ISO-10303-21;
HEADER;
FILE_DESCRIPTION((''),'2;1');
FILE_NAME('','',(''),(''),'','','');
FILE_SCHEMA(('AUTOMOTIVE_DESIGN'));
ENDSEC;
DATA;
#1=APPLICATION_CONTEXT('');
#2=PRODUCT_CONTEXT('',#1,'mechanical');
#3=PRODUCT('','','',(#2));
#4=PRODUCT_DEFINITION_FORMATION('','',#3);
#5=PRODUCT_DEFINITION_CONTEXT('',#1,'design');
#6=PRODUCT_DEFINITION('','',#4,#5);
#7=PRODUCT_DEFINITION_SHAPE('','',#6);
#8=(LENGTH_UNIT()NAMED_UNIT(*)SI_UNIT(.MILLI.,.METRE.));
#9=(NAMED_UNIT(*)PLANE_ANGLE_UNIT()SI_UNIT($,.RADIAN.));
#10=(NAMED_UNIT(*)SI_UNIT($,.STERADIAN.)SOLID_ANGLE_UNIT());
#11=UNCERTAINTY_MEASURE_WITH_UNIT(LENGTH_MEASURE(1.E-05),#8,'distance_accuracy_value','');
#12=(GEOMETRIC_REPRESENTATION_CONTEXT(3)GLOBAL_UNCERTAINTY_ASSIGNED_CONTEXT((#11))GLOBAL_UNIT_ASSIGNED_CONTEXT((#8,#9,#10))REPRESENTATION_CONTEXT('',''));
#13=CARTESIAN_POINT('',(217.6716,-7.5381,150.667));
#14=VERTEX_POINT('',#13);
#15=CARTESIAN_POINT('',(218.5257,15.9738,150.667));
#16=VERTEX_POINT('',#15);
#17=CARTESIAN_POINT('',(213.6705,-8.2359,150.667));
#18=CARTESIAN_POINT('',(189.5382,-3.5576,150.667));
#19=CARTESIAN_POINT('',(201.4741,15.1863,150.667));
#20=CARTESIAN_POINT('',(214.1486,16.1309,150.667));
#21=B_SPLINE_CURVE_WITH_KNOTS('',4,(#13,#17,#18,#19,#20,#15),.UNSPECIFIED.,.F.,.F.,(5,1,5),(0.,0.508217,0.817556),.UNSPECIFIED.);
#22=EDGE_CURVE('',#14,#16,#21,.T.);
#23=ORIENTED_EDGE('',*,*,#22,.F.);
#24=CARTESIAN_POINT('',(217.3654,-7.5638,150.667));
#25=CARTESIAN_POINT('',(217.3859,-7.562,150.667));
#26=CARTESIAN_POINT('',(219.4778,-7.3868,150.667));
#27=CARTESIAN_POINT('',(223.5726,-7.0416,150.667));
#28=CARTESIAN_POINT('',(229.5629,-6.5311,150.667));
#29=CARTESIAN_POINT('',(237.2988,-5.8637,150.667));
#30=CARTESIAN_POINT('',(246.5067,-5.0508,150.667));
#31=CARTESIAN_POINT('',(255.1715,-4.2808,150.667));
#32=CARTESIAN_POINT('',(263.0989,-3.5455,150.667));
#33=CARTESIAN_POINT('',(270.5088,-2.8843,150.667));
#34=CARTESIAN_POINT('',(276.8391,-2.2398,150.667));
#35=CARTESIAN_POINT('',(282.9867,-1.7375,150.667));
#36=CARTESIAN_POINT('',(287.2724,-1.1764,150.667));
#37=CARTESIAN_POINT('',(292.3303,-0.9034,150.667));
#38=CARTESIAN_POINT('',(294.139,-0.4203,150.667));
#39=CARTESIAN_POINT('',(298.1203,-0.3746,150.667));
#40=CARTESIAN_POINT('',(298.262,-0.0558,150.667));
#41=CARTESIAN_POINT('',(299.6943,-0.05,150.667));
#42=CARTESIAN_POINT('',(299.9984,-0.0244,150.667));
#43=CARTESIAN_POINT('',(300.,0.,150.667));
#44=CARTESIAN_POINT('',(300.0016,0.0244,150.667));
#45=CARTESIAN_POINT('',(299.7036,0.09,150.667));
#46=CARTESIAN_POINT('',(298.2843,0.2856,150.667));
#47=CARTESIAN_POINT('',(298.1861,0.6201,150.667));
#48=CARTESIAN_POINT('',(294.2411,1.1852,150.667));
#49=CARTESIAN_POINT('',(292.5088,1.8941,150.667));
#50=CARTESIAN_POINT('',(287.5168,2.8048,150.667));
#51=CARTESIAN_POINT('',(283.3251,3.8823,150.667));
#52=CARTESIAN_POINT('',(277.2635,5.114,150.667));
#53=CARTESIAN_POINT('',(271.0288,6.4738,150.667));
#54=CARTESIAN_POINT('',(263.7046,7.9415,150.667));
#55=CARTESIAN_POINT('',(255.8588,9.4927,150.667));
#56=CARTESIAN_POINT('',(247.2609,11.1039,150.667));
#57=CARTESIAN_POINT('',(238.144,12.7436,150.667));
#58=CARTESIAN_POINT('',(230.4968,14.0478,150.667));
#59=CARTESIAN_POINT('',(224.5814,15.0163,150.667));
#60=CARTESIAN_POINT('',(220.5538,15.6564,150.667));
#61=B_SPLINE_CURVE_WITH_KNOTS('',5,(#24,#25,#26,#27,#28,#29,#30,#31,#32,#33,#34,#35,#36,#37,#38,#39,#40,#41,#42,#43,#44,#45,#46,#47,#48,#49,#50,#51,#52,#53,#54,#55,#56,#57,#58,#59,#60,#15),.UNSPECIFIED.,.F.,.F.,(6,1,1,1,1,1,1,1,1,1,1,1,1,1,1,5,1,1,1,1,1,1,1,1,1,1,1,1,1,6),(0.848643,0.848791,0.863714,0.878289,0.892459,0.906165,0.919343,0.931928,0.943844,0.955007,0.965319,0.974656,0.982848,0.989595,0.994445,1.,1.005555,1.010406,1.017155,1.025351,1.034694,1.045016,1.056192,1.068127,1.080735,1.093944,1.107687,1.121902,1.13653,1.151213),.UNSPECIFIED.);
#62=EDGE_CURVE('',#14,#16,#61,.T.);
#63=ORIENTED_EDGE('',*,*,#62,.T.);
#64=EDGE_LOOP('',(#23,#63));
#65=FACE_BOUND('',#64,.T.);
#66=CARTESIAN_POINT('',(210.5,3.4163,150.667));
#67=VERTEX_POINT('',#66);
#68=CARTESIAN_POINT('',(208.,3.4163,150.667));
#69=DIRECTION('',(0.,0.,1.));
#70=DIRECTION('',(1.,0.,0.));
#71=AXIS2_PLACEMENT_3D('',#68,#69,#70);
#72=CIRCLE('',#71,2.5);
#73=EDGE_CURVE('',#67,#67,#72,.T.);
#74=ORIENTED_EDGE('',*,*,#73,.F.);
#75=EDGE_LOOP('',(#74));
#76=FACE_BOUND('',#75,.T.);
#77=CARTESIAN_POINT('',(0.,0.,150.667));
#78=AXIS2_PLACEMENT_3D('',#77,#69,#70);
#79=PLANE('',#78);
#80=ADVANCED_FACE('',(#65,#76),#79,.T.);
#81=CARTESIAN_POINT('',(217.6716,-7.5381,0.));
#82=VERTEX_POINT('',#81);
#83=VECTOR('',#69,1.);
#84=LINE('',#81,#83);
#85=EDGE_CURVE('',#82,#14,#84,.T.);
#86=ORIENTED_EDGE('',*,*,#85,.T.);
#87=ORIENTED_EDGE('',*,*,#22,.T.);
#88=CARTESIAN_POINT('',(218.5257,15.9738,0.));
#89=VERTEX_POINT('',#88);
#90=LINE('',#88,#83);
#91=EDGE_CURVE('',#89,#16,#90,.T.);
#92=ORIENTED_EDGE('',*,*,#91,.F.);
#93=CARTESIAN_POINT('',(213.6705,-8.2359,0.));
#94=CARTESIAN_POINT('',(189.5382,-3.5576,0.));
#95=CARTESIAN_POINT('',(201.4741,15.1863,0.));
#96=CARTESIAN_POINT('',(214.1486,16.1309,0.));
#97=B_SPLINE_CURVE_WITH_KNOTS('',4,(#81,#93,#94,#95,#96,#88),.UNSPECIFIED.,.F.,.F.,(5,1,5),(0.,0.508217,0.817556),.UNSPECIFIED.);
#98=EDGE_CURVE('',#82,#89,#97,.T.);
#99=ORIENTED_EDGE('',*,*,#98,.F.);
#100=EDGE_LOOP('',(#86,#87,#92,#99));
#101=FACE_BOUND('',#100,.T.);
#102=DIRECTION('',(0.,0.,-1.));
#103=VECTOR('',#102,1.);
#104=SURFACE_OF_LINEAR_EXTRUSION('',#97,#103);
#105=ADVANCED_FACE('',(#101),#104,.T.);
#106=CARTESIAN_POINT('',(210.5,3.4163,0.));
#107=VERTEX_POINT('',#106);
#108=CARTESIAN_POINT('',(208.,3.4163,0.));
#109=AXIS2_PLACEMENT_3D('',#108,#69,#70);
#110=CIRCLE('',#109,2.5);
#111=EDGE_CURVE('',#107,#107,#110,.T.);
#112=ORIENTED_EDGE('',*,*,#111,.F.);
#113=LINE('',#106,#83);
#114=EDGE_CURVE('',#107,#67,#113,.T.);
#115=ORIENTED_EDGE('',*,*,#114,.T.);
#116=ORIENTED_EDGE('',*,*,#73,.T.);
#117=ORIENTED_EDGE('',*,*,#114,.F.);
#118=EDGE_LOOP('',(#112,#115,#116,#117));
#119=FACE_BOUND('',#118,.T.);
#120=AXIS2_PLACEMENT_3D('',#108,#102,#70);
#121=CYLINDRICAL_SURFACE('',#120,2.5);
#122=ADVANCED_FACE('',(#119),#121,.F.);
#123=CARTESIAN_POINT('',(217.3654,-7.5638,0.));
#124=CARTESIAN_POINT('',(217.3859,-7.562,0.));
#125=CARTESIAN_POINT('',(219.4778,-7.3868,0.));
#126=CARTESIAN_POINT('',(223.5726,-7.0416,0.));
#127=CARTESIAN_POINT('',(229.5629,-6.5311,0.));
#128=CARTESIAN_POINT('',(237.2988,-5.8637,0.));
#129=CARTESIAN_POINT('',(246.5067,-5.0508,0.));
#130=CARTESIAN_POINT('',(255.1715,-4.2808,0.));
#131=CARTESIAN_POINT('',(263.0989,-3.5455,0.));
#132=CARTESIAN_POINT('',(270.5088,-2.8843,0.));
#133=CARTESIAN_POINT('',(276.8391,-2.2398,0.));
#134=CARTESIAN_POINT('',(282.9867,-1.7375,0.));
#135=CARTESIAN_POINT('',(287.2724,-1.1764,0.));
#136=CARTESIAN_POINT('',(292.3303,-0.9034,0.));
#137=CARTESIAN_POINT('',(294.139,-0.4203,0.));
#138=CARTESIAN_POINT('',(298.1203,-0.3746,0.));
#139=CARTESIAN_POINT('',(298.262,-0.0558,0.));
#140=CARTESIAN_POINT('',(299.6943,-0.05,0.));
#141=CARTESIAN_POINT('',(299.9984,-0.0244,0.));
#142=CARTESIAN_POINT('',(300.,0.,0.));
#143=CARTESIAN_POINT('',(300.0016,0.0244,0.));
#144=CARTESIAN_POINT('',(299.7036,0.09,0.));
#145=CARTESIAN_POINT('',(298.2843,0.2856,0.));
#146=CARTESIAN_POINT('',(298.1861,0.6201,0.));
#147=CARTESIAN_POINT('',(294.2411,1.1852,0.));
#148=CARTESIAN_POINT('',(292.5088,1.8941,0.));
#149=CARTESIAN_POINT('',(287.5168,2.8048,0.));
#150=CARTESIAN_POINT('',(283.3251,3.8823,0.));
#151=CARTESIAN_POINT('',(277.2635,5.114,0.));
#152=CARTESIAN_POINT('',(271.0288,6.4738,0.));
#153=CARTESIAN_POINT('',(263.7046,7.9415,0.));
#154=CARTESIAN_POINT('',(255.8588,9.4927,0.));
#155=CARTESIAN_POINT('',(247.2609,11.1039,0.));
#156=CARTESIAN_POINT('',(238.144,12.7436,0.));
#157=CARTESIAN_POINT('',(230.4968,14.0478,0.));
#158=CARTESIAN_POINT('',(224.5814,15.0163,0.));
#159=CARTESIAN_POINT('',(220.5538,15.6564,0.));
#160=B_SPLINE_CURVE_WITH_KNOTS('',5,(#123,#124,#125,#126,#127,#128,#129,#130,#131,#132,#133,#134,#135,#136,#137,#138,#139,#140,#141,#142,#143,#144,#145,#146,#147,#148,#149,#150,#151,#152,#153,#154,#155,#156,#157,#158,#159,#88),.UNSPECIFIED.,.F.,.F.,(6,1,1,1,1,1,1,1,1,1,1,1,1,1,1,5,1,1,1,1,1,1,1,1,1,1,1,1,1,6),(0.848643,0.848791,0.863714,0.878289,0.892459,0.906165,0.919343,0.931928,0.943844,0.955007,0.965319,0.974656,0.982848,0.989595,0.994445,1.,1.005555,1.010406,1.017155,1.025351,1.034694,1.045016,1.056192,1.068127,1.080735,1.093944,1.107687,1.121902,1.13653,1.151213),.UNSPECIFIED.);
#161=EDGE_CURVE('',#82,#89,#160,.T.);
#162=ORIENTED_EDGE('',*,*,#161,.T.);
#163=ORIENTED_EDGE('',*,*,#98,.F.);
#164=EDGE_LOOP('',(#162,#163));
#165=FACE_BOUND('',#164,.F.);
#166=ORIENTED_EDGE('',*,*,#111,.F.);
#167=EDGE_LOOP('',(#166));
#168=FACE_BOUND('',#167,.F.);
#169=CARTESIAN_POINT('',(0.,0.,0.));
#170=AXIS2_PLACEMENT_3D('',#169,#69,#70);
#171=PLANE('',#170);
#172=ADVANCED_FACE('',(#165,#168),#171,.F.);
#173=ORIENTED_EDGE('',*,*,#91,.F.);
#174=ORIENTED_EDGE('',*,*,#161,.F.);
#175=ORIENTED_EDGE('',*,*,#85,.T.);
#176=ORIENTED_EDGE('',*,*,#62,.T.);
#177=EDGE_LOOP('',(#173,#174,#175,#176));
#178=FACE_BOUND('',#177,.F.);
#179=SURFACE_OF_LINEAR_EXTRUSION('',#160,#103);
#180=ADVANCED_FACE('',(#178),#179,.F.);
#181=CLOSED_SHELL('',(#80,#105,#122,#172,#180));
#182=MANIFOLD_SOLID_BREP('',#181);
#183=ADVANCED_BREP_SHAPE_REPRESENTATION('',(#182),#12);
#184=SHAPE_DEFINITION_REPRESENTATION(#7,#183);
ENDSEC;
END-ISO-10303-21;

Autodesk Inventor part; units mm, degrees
ref_plane "YZ Plane" through (0, 0, 0) normal (1, 0, 0) x (0, 1, 0)
ref_plane "XZ Plane" through (0, 0, 0) normal (0, 1, 0) x (-1, 0, 0)
ref_plane "XY Plane" through (0, 0, 0) normal (0, 0, 1) x (1, 0, 0)
sketch "Sketch1" plane through (0, 0, 0) normal (0, 0, 1) x (1, 0, 0)
  spline S0 degree 5 poles (217.3654, -7.5638) (217.3859, -7.562) (219.4778, -7.3868) (223.5726, -7.0416) (229.5629, -6.5311) (237.2988, -5.8637) (246.5067, -5.0508) (255.1715, -4.2808) (263.0989, -3.5455) (270.5088, -2.8843) (276.8391, -2.2398) (282.9867, -1.7375) (287.2724, -1.1764) (292.3303, -0.9034) (294.139, -0.4203) (298.1203, -0.3746) (298.262, -0.0558) (299.6943, -0.05) (299.9984, -0.0244) (300, 0) (300.0016, 0.0244) (299.7036, 0.09) (298.2843, 0.2856) (298.1861, 0.6201) (294.2411, 1.1852) (292.5088, 1.8941) (287.5168, 2.8048) (283.3251, 3.8823) (277.2635, 5.114) (271.0288, 6.4738) (263.7046, 7.9415) (255.8588, 9.4927) (247.2609, 11.1039) (238.144, 12.7436) (230.4968, 14.0478) (224.5814, 15.0163) (220.5538, 15.6564) (218.5257, 15.9738) knots 0.848643 0.848643 0.848643 0.848643 0.848643 0.848643 0.848791 0.863714 0.878289 0.892459 0.906165 0.919343 0.931928 0.943844 0.955007 0.965319 0.974656 0.982848 0.989595 0.994445 1 1 1 1 1 1.005555 1.010406 1.017155 1.025351 1.034694 1.045016 1.056192 1.068127 1.080735 1.093944 1.107687 1.121902 1.13653 1.151213 1.151213 1.151213 1.151213 1.151213 1.151213
  line L0 (200, 103) -> (200, -97) construction
  line L1 (300, -103) -> (300, 103) construction
  line L2 (200, 3.7134) -> (300, 0) construction
  circle A0 centre (225, 2.7851) radius 2.5 construction
  line L3 (205.8741, -8.5266) -> (228.8566, -6.6009) construction
  arc A1 (208.1717, -8.3262) -> (226.5577, -6.7856) centre (-233.8691, 5377.8161) ccw construction
  line L4 (230.0222, 14.1744) -> (207.0292, 17.7732) construction
  arc A2 (227.7165, 14.4952) -> (209.3227, 17.3741) centre (49.5564, -1063.5951) ccw construction
  spline S1 degree 4 poles (217.6716, -7.5381) (213.6705, -8.2359) (189.5382, -3.5576) (201.4741, 15.1863) (214.1486, 16.1309) (218.5257, 15.9738) knots 0 0 0 0 0 0.508217 0.817556 0.817556 0.817556 0.817556 0.817556
  line L5 (212.7843, 16.1798) -> (224.2671, 15.7678) construction
  arc A3 (223.0904, 15.5928) -> (213.9454, 15.921) centre (216.7921, -32.3331) ccw construction
  circle A4 centre (208, 3.4163) radius 2.5
  point P0 (299.5428, 0.1089)
  point P1 (298.1739, 0.4338)
  point P2 (295.9008, 0.9681)
  point P3 (292.7367, 1.7025)
  point P4 (288.6996, 2.6229)
  point P5 (283.8129, 3.7134)
  point P6 (278.1048, 4.9545)
  point P7 (271.6086, 6.3255)
  point P8 (264.3621, 7.8039)
  point P9 (256.4085, 9.3663)
  point P10 (247.7946, 10.9887)
  point P11 (238.572, 12.6468)
  point P12 (228.7959, 14.3166)
  point P13 (207.8235, 17.5944)
  point P14 (237.7638, -5.8185)
  point P15 (247.0398, -5.0019)
  point P16 (255.7236, -4.2234)
  point P17 (263.7597, -3.4905)
  point P18 (271.0965, -2.8098)
  point P19 (277.6872, -2.1882)
  point P20 (283.4889, -1.6323)
  point P21 (288.4641, -1.1487)
  point P22 (292.5804, -0.7434)
  point P23 (295.8102, -0.4221)
  point P24 (298.1328, -0.1887)
  point P25 (299.5323, -0.0474)
  point P26 (217.3654, -7.5638)
  point P27 (206.2647, 13.1249)
  point P28 (218.5257, 15.9738)
  dimension "d17" = 100
  dimension "d22" = 5
  dimension "d23" = 75
  dimension "d30" = 5
sketch "Sketch3" plane through (0, 0, 0) normal (0, 0, 1) x (1, 0, 0)
  point P0 (0, 0)
sketch "Sketch4" plane through (0, 0, 0) normal (0, 0, 1) x (1, 0, 0)
  point P0 (0, 0)
sketch "Sketch5" plane through (0, 0, 0) normal (0, 0, 1) x (1, 0, 0)
  point P0 (0, 0)
sketch "Sketch6" plane through (0, 0, 0) normal (0, 0, 1) x (1, 0, 0)
  point P0 (0, 0)
sketch "Sketch7" plane through (0, 0, 0) normal (0, 0, 1) x (1, 0, 0)
  point P0 (0, 0)
sketch "Sketch8" plane through (0, 0, 0) normal (0, 0, 1) x (1, 0, 0)
  point P0 (0, 0)
extrude "Extrusion2" add sketch "Sketch1" along normal blind 150.667
properties part number "AIL outboard foam assembly" material "Polyurethane Foam"
